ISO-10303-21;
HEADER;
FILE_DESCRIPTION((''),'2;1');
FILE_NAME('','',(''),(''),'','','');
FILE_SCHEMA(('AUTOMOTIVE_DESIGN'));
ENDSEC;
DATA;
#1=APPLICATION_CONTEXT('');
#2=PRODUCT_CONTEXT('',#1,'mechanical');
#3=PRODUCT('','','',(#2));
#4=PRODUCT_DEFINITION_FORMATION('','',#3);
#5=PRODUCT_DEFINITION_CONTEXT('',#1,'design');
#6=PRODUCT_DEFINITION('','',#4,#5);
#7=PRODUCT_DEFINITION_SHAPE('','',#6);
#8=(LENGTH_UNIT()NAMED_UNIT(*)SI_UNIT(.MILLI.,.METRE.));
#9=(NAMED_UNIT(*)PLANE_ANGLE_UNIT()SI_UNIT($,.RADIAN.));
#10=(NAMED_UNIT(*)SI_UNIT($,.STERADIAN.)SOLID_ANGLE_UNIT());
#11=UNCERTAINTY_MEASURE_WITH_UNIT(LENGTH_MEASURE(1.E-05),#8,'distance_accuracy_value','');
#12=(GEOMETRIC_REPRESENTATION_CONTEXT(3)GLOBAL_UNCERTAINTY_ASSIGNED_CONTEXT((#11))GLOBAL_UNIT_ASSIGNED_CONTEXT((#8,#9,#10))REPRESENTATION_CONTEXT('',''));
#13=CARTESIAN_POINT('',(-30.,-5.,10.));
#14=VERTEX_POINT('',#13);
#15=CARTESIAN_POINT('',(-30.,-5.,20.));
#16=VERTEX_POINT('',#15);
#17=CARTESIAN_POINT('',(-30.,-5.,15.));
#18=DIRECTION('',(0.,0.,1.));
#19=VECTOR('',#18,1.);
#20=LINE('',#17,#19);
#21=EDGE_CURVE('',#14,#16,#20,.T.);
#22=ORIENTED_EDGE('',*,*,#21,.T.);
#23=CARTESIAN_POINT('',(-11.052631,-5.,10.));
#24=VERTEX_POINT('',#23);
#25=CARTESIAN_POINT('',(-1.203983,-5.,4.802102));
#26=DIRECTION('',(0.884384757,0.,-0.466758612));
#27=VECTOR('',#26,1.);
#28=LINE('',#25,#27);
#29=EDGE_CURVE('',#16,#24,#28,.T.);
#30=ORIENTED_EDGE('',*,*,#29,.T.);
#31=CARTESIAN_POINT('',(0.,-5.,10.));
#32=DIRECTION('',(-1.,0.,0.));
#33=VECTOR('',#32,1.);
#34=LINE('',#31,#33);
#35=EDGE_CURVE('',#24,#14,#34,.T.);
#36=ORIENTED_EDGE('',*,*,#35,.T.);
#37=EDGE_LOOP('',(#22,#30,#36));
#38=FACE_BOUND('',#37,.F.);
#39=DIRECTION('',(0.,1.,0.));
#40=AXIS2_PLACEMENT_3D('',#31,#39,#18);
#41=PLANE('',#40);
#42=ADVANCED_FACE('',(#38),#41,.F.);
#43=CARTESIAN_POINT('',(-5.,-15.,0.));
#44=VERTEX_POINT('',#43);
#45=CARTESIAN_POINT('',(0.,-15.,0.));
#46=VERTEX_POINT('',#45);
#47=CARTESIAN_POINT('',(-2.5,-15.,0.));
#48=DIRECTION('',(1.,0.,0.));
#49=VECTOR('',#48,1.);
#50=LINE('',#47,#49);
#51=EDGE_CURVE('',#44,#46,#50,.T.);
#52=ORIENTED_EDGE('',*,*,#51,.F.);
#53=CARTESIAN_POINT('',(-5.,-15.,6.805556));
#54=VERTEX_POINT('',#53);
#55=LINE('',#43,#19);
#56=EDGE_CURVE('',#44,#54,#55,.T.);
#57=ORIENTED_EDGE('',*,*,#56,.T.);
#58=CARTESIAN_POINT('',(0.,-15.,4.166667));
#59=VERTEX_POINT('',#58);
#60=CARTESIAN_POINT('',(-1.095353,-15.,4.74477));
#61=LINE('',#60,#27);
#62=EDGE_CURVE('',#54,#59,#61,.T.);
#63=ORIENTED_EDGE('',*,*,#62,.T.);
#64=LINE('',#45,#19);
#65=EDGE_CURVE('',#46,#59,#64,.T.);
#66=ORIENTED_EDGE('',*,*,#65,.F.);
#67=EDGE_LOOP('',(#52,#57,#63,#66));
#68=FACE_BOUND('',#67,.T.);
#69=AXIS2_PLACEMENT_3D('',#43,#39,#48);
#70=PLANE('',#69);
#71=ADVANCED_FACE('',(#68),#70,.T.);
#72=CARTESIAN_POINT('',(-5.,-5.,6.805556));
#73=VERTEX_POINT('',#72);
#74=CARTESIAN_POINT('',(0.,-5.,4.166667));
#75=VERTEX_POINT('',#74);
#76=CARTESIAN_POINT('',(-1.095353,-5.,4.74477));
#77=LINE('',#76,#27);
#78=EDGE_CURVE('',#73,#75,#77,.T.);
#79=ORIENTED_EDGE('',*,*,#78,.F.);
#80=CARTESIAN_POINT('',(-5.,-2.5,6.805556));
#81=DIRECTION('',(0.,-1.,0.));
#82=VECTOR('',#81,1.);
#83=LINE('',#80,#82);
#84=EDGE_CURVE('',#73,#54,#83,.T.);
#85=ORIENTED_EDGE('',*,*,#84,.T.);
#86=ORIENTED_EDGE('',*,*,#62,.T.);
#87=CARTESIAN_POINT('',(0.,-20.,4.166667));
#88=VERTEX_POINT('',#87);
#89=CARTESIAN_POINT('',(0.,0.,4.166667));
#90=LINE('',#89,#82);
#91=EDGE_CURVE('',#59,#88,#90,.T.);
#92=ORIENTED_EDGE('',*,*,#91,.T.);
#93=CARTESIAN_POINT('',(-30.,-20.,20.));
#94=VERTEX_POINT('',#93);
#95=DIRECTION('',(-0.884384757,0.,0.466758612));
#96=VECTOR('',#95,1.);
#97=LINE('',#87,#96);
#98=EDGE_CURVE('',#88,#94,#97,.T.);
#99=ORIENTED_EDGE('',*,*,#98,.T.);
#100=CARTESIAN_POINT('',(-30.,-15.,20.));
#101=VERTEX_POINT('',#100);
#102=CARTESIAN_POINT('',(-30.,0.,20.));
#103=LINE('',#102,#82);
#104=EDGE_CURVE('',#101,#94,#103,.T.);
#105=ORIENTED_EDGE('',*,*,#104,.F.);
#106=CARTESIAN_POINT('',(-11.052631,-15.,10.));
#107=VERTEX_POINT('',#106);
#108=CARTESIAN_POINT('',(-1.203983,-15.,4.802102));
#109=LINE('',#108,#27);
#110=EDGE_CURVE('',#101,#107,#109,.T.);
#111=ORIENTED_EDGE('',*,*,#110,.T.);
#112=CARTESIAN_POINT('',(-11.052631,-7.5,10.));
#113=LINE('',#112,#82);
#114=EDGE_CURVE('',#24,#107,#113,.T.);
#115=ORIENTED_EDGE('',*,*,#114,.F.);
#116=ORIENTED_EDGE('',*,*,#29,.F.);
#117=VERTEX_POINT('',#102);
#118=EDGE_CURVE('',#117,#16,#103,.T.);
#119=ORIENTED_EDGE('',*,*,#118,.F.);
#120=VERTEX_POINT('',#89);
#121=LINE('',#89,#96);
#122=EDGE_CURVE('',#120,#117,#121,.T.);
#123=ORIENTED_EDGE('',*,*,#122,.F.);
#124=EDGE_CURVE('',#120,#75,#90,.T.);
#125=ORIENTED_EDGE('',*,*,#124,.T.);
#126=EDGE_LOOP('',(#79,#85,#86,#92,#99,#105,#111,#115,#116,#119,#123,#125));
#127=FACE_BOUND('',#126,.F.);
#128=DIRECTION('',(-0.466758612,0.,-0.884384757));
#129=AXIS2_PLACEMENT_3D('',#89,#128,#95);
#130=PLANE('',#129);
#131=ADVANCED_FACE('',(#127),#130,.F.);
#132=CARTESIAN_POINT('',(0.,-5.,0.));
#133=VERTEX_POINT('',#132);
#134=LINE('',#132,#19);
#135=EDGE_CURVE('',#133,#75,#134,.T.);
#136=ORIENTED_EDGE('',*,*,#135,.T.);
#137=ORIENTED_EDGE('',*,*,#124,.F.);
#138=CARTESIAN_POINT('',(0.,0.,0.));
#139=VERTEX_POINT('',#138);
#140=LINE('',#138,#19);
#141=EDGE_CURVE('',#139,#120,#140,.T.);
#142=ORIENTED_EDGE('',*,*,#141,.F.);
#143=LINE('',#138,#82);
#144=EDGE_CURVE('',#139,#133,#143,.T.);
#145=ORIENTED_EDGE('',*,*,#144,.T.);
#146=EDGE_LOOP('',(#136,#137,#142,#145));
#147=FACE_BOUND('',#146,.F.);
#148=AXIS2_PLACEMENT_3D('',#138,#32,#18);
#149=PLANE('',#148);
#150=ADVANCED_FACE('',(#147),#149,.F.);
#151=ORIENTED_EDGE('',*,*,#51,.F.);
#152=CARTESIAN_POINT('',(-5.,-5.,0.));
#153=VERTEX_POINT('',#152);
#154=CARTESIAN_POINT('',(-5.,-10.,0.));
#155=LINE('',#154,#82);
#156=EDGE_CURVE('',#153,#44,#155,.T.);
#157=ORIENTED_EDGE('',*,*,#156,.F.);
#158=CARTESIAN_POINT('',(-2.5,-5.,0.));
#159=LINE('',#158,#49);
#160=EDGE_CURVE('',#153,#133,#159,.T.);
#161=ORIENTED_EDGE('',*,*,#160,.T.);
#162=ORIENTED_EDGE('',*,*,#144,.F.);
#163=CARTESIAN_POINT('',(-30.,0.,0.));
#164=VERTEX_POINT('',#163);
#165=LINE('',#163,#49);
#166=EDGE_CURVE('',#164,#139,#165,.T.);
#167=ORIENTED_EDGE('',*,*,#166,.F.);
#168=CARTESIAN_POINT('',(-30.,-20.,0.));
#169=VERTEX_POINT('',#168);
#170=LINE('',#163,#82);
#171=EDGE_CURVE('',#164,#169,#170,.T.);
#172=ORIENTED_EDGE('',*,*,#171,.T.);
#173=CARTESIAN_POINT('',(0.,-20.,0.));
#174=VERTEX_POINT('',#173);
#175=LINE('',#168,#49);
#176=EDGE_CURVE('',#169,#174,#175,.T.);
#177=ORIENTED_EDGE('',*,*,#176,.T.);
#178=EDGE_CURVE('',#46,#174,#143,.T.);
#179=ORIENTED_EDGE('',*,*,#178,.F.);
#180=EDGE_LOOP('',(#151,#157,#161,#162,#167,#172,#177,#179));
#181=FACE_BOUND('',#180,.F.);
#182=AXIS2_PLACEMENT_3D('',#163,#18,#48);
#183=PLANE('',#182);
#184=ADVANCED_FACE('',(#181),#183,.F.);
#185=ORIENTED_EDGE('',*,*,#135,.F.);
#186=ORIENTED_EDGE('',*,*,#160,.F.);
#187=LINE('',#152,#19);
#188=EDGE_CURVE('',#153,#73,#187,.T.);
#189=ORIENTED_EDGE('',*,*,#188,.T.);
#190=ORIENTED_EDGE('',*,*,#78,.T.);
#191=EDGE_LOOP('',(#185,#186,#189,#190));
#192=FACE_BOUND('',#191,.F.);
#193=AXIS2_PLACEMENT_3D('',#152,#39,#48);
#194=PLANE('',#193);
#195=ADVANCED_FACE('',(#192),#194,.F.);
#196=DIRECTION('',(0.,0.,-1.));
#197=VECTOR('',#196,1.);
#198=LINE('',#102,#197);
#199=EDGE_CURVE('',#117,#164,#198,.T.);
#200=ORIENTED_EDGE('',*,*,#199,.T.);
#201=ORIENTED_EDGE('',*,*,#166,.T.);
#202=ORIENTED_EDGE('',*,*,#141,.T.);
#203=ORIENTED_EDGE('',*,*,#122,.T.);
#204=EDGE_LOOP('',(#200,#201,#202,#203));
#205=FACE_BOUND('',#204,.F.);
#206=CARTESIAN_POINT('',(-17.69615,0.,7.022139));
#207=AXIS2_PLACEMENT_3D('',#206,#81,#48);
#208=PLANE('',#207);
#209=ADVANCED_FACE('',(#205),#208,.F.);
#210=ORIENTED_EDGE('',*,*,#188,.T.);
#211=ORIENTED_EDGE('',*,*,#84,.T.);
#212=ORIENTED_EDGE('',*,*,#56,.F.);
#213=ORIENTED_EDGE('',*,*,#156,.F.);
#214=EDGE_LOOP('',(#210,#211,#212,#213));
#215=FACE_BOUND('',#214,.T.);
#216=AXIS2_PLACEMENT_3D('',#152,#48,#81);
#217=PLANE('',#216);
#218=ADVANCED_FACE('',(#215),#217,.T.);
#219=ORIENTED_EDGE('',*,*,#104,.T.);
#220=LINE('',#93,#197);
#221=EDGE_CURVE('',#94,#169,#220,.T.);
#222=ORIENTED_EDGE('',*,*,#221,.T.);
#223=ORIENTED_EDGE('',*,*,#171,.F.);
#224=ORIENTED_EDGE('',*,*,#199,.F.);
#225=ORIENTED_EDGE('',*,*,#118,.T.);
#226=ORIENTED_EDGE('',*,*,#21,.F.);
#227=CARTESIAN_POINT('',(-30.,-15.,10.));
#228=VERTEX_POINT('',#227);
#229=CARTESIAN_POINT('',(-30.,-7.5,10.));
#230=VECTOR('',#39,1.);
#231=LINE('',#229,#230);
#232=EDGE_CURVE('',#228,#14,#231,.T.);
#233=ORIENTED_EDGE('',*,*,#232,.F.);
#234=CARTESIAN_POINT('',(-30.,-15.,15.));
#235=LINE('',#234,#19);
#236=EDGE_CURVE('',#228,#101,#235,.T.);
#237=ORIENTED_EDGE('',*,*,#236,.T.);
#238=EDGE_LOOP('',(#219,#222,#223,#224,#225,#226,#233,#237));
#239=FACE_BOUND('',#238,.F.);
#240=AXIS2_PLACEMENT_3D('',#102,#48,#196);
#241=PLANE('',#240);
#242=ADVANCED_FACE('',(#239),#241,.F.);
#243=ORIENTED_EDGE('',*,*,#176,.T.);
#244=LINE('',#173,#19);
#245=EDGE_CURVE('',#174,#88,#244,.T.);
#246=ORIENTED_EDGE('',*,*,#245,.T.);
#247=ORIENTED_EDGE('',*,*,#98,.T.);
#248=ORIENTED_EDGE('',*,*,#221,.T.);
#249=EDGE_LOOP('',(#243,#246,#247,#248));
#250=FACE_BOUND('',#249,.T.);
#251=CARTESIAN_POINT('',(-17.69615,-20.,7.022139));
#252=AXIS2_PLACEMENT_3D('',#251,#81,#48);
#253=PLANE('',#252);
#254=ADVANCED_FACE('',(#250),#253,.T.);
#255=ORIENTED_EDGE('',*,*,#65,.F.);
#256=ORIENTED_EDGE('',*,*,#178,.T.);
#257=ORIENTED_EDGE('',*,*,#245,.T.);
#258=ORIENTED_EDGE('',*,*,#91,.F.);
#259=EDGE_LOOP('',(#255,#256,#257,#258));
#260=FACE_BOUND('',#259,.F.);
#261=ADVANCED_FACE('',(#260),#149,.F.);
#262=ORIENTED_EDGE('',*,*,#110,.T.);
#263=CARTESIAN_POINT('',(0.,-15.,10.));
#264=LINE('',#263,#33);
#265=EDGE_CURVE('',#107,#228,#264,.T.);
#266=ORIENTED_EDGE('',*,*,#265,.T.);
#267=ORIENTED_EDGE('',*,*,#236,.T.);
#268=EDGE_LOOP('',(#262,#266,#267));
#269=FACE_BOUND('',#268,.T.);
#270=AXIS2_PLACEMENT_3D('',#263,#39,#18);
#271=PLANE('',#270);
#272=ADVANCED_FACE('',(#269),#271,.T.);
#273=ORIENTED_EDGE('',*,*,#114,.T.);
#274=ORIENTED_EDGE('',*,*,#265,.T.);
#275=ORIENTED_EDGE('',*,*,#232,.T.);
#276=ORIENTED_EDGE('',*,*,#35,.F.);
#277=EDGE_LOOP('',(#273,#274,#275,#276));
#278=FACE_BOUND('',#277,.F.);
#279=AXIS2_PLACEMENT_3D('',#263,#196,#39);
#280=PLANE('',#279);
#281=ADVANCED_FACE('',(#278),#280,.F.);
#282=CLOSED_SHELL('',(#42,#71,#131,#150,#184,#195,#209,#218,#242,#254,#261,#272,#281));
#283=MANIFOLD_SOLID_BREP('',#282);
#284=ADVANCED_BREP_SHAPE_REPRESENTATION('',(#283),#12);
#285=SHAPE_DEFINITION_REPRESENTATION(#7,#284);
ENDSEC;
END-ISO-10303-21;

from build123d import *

# Parameters (mm, degrees)
F1_DEPTH = 20
F2_W     = 10
F2_H     = 10
F3_DEPTH = 30.001
F4_W     = 5
F4_H     = 10
F5_DEPTH = 25


with BuildPart() as f1:
    # F0 (on Front) → F1 (new body)
    with BuildSketch(Plane.XZ):
        Polygon((0, 4.166667), (-30, 20), (-30, 0), (0, 0), align=None)
    extrude(amount=F1_DEPTH)

    # F2 (on Right) → F3 (cut, through all)
    with BuildSketch(Plane.YZ):
        with Locations((-10, 15)):
            Rectangle(F2_W, F2_H)
    extrude(amount=-F3_DEPTH, mode=Mode.SUBTRACT)

    # F4 (on face) → F5 (cut)
    with BuildSketch(Plane(origin=(0, 0, 0), x_dir=(1, 0, 0), z_dir=(0, 0, -1))):
        with Locations((-2.5, 10)):
            Rectangle(F4_W, F4_H)
    extrude(amount=-F5_DEPTH, mode=Mode.SUBTRACT)


solid = f1.part
